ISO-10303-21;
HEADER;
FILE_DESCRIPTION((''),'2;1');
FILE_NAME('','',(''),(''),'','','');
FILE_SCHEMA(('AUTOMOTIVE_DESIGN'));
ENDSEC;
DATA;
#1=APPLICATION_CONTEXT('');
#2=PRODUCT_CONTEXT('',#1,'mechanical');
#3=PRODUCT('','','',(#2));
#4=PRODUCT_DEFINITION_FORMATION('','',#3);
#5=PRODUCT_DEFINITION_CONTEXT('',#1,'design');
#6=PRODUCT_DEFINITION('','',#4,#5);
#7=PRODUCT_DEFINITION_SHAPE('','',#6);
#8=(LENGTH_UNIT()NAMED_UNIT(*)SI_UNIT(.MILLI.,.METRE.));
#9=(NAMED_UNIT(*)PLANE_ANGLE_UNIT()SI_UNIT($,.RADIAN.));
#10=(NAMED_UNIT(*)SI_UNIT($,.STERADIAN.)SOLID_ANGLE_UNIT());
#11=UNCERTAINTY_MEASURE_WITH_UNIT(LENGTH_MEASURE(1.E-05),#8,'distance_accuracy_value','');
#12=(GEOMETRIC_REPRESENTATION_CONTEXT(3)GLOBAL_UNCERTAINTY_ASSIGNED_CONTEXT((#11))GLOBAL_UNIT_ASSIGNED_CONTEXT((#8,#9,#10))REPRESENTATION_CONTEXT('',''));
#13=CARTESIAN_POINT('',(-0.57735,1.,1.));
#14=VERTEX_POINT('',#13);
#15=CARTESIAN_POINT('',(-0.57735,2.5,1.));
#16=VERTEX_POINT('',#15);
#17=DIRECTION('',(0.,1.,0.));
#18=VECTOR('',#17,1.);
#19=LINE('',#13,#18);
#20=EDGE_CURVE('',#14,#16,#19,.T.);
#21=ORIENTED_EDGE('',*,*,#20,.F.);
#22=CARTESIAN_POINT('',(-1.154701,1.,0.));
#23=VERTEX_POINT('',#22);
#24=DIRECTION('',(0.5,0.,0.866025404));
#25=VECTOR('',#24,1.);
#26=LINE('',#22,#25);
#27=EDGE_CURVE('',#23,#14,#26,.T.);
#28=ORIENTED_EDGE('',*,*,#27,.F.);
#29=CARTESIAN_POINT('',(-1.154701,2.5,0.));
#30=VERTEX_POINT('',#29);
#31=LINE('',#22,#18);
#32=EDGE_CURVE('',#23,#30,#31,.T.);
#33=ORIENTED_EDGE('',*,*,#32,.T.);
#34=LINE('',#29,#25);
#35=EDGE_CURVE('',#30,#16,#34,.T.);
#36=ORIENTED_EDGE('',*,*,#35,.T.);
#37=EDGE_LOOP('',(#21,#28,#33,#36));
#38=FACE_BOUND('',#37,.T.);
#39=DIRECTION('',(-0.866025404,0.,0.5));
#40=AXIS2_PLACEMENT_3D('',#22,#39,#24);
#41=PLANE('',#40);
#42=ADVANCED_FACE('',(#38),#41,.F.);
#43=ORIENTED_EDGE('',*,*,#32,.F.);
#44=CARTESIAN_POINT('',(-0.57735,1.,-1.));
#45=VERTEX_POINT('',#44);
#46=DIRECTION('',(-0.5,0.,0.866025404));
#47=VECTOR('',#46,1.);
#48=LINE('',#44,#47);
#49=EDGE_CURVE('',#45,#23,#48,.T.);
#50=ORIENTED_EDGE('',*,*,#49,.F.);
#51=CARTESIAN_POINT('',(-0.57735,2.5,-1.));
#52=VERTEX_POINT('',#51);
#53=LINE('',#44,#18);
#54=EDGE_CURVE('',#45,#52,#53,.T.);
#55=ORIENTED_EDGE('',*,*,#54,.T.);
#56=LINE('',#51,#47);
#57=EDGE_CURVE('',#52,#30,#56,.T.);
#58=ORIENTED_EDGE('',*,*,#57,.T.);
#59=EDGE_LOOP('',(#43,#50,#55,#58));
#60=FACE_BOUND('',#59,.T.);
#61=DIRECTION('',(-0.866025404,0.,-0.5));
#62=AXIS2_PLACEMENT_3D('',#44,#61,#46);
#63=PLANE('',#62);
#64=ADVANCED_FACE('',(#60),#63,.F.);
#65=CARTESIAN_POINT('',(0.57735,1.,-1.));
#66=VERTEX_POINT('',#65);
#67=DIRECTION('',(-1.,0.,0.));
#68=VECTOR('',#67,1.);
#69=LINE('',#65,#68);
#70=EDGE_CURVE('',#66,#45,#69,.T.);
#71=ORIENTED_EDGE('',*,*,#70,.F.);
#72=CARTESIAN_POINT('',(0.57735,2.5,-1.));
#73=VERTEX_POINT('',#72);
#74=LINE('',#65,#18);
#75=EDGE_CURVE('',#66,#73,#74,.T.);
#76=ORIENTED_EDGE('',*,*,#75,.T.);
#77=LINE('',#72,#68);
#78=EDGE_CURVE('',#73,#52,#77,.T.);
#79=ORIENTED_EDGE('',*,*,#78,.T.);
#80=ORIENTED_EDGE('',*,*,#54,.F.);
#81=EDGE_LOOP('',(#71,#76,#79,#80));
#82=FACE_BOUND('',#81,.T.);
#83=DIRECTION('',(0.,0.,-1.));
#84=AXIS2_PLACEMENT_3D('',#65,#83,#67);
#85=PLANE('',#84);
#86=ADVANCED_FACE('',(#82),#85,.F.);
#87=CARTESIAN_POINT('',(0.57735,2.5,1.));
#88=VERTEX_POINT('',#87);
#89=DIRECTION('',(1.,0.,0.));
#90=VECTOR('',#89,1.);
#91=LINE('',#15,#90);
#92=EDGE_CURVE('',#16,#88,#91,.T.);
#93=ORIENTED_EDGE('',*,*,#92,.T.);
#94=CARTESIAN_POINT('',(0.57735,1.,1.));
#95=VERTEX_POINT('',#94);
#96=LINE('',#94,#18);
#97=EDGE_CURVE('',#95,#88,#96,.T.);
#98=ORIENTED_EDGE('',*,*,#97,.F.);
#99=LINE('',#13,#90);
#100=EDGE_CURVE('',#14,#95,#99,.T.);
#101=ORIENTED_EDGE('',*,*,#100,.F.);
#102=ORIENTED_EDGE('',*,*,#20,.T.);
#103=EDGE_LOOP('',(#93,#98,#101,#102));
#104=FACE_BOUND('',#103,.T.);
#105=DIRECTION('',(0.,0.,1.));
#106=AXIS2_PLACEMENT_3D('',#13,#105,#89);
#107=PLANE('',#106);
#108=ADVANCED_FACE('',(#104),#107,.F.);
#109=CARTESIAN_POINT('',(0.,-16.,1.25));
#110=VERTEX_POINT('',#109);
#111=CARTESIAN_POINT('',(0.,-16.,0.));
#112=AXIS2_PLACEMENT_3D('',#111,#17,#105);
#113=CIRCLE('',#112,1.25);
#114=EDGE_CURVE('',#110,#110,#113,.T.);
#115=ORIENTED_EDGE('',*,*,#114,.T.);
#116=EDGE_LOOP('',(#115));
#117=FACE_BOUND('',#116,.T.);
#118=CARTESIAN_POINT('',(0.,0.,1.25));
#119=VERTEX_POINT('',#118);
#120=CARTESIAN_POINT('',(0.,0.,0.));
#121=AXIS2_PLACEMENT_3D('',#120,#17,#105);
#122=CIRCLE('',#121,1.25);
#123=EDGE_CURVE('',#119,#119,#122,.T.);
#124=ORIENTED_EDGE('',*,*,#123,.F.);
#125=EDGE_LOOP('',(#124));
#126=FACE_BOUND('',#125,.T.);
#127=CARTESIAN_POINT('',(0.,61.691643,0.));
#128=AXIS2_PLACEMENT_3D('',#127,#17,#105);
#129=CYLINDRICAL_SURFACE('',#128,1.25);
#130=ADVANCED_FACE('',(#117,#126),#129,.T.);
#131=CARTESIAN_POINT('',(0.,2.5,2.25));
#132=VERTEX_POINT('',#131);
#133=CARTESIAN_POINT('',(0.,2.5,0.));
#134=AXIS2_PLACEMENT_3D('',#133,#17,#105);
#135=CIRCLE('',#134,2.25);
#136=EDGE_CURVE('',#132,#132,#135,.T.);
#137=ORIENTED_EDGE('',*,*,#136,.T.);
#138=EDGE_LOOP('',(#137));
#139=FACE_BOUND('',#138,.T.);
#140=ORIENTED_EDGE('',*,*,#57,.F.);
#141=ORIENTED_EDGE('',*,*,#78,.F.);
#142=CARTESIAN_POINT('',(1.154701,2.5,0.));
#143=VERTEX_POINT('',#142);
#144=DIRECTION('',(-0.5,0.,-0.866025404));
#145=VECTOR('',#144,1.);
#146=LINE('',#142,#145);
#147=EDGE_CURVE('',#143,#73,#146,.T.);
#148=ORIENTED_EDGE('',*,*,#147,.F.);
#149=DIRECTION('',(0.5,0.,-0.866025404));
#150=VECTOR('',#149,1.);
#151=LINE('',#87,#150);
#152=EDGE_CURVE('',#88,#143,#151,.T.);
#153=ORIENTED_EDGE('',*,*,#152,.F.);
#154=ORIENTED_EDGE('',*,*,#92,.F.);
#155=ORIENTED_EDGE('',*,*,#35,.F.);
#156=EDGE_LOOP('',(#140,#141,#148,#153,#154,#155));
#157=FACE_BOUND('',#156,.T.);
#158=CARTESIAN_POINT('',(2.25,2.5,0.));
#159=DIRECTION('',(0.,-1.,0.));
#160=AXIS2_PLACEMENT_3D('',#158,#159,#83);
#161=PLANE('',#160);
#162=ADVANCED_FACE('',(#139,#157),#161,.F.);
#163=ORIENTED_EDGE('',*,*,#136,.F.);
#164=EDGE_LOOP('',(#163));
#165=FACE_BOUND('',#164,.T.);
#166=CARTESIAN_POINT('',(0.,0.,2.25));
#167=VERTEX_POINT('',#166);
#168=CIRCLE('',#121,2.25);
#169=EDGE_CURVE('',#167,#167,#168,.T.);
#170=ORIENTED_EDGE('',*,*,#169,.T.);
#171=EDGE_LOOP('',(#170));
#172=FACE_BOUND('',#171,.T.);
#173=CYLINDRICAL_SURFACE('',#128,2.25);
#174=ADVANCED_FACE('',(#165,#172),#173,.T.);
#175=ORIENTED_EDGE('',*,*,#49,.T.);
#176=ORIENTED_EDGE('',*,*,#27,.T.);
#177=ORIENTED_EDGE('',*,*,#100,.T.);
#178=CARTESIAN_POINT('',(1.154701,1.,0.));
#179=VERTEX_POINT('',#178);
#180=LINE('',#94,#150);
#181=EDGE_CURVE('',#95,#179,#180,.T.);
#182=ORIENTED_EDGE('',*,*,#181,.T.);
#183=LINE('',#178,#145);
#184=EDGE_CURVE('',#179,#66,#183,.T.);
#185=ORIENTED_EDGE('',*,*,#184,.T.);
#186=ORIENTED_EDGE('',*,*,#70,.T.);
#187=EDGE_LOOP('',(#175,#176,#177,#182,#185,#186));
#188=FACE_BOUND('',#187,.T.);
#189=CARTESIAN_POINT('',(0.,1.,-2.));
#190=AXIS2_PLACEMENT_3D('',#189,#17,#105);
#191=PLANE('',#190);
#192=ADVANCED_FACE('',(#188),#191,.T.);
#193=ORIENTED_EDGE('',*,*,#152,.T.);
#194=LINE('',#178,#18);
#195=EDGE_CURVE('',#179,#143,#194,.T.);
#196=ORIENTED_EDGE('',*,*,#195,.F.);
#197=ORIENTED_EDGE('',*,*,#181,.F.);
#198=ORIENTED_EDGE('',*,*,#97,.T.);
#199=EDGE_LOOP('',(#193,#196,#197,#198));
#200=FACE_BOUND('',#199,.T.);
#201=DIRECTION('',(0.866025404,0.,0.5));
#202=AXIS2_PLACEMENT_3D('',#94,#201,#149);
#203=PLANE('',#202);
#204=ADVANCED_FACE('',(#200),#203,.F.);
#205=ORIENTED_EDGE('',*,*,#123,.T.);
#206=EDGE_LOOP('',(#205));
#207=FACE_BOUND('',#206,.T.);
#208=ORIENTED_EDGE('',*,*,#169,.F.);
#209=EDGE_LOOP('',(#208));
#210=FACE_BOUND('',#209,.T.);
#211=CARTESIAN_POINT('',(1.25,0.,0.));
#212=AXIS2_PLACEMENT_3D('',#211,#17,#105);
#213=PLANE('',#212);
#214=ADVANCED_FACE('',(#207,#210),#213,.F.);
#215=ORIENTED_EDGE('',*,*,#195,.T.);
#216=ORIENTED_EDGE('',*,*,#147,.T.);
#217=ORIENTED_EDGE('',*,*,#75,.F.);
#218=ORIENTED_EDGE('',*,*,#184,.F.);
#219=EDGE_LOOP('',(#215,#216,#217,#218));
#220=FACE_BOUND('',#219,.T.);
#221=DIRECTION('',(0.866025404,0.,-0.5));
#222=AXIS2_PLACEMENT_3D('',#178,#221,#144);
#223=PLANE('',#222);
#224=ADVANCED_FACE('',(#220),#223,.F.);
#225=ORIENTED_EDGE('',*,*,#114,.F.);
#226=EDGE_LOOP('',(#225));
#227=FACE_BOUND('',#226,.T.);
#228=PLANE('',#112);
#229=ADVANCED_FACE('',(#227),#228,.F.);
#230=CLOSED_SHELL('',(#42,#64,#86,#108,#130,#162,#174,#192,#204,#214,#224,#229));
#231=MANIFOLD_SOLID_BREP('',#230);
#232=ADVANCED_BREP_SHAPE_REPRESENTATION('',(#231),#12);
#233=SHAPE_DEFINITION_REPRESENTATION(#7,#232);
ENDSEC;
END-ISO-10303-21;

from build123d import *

# Parameters (mm, degrees)
CUT_EXTRUDE1_DEPTH = 1.5


with BuildPart() as part:
    # Sketch1 → Revolve1 (revolve)
    with BuildSketch(Plane.XY, mode=Mode.PRIVATE) as revolve1_sk:
        Polygon((0, -16), (1.25, -16), (1.25, 0), (2.25, 0), (2.25, 2.5), (0, 2.5), align=None)
    revolve(revolve1_sk.sketch.rotate(Axis((0, 61.691642626, 0), (0, -1, 0)), 90), axis=Axis((0, 61.691642626, 0), (0, -1, 0)))

    # Sketch2 → Cut-Extrude1 (cut)
    with BuildSketch(Plane(origin=(0, 2.5, 0), x_dir=(-1, 0, 0), z_dir=(0, 1, 0))):
        Polygon((-0.577350269, -1), (0.577350269, -1), (1.154700538, 0), (0.577350269, 1), (-0.577350269, 1), (-1.154700538, 0), align=None)
    extrude(amount=-CUT_EXTRUDE1_DEPTH, mode=Mode.SUBTRACT)


solid = part.part
